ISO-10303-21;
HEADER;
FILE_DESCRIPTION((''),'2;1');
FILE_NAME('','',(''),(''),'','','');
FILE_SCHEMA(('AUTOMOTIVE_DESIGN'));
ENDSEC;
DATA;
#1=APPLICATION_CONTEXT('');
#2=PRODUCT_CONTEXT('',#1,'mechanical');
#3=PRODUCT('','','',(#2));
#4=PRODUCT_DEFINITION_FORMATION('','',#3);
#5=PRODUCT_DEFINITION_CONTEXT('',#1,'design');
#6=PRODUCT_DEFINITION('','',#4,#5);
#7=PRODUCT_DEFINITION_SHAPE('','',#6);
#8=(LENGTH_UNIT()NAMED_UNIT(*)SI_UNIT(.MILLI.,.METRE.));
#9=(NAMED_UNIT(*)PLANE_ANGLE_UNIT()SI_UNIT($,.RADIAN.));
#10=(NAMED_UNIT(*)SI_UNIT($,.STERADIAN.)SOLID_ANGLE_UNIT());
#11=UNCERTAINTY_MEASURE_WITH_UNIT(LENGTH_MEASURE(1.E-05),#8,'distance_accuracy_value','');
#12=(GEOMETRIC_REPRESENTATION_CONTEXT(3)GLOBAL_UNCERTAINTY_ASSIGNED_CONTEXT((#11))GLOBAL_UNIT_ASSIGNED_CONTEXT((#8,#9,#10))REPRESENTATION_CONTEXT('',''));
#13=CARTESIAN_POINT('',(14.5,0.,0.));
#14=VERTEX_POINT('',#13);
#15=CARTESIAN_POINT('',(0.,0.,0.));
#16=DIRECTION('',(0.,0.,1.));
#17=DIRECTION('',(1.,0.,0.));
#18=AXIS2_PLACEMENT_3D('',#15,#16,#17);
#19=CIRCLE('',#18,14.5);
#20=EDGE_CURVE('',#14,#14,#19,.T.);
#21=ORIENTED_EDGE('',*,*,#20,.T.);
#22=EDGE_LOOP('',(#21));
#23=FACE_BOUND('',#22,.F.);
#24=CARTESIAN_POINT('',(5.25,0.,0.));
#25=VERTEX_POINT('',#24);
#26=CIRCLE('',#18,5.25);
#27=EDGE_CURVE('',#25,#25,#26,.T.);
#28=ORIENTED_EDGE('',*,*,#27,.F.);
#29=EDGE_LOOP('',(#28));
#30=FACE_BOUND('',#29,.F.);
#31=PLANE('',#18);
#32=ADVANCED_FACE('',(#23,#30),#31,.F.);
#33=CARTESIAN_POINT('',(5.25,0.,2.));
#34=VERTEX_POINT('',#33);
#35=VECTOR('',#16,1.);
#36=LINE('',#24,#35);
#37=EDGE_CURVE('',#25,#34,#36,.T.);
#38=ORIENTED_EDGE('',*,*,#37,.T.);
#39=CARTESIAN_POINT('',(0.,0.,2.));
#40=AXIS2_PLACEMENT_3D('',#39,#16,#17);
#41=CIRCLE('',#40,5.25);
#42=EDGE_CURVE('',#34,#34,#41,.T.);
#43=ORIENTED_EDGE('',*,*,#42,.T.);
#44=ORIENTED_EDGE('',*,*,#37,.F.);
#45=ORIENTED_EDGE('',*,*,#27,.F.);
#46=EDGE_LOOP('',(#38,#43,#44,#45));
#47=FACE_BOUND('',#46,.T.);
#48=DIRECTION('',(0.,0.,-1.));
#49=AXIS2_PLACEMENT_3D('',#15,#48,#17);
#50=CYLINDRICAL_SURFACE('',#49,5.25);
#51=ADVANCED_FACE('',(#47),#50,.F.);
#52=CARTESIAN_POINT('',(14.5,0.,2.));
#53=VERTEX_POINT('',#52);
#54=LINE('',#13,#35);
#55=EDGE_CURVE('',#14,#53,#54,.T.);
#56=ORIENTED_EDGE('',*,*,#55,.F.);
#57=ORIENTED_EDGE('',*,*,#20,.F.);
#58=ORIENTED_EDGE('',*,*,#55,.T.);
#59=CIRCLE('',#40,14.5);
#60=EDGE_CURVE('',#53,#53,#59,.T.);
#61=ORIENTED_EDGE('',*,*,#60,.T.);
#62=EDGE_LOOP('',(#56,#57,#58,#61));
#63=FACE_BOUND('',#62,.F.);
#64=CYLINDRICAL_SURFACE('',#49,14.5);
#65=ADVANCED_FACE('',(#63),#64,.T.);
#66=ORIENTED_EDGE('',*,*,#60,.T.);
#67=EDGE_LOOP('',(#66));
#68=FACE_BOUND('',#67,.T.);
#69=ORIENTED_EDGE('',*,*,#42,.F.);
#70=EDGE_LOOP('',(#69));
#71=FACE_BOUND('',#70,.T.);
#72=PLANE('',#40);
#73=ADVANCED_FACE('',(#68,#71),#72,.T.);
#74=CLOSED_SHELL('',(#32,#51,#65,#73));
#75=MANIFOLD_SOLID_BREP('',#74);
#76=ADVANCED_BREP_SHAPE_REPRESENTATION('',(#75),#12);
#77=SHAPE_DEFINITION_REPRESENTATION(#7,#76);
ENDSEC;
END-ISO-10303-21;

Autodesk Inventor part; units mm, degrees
ref_plane "YZ Plane" through (0, 0, 0) normal (1, 0, 0) x (0, 1, 0)
ref_plane "XZ Plane" through (0, 0, 0) normal (0, 1, 0) x (-1, 0, 0)
ref_plane "XY Plane" through (0, 0, 0) normal (0, 0, 1) x (1, 0, 0)
sketch "Sketch1" plane through (0, 0, 0) normal (0, 0, 1) x (1, 0, 0)
  circle A0 centre (0, 0) radius 14.5
  circle A1 centre (0, 0) radius 5.25
  dimension "d0" = 29
  dimension "d1" = 10.5
extrude "Extrusion1" add sketch "Sketch1" along normal blind 2
properties part number "M10 Rodela megali"
